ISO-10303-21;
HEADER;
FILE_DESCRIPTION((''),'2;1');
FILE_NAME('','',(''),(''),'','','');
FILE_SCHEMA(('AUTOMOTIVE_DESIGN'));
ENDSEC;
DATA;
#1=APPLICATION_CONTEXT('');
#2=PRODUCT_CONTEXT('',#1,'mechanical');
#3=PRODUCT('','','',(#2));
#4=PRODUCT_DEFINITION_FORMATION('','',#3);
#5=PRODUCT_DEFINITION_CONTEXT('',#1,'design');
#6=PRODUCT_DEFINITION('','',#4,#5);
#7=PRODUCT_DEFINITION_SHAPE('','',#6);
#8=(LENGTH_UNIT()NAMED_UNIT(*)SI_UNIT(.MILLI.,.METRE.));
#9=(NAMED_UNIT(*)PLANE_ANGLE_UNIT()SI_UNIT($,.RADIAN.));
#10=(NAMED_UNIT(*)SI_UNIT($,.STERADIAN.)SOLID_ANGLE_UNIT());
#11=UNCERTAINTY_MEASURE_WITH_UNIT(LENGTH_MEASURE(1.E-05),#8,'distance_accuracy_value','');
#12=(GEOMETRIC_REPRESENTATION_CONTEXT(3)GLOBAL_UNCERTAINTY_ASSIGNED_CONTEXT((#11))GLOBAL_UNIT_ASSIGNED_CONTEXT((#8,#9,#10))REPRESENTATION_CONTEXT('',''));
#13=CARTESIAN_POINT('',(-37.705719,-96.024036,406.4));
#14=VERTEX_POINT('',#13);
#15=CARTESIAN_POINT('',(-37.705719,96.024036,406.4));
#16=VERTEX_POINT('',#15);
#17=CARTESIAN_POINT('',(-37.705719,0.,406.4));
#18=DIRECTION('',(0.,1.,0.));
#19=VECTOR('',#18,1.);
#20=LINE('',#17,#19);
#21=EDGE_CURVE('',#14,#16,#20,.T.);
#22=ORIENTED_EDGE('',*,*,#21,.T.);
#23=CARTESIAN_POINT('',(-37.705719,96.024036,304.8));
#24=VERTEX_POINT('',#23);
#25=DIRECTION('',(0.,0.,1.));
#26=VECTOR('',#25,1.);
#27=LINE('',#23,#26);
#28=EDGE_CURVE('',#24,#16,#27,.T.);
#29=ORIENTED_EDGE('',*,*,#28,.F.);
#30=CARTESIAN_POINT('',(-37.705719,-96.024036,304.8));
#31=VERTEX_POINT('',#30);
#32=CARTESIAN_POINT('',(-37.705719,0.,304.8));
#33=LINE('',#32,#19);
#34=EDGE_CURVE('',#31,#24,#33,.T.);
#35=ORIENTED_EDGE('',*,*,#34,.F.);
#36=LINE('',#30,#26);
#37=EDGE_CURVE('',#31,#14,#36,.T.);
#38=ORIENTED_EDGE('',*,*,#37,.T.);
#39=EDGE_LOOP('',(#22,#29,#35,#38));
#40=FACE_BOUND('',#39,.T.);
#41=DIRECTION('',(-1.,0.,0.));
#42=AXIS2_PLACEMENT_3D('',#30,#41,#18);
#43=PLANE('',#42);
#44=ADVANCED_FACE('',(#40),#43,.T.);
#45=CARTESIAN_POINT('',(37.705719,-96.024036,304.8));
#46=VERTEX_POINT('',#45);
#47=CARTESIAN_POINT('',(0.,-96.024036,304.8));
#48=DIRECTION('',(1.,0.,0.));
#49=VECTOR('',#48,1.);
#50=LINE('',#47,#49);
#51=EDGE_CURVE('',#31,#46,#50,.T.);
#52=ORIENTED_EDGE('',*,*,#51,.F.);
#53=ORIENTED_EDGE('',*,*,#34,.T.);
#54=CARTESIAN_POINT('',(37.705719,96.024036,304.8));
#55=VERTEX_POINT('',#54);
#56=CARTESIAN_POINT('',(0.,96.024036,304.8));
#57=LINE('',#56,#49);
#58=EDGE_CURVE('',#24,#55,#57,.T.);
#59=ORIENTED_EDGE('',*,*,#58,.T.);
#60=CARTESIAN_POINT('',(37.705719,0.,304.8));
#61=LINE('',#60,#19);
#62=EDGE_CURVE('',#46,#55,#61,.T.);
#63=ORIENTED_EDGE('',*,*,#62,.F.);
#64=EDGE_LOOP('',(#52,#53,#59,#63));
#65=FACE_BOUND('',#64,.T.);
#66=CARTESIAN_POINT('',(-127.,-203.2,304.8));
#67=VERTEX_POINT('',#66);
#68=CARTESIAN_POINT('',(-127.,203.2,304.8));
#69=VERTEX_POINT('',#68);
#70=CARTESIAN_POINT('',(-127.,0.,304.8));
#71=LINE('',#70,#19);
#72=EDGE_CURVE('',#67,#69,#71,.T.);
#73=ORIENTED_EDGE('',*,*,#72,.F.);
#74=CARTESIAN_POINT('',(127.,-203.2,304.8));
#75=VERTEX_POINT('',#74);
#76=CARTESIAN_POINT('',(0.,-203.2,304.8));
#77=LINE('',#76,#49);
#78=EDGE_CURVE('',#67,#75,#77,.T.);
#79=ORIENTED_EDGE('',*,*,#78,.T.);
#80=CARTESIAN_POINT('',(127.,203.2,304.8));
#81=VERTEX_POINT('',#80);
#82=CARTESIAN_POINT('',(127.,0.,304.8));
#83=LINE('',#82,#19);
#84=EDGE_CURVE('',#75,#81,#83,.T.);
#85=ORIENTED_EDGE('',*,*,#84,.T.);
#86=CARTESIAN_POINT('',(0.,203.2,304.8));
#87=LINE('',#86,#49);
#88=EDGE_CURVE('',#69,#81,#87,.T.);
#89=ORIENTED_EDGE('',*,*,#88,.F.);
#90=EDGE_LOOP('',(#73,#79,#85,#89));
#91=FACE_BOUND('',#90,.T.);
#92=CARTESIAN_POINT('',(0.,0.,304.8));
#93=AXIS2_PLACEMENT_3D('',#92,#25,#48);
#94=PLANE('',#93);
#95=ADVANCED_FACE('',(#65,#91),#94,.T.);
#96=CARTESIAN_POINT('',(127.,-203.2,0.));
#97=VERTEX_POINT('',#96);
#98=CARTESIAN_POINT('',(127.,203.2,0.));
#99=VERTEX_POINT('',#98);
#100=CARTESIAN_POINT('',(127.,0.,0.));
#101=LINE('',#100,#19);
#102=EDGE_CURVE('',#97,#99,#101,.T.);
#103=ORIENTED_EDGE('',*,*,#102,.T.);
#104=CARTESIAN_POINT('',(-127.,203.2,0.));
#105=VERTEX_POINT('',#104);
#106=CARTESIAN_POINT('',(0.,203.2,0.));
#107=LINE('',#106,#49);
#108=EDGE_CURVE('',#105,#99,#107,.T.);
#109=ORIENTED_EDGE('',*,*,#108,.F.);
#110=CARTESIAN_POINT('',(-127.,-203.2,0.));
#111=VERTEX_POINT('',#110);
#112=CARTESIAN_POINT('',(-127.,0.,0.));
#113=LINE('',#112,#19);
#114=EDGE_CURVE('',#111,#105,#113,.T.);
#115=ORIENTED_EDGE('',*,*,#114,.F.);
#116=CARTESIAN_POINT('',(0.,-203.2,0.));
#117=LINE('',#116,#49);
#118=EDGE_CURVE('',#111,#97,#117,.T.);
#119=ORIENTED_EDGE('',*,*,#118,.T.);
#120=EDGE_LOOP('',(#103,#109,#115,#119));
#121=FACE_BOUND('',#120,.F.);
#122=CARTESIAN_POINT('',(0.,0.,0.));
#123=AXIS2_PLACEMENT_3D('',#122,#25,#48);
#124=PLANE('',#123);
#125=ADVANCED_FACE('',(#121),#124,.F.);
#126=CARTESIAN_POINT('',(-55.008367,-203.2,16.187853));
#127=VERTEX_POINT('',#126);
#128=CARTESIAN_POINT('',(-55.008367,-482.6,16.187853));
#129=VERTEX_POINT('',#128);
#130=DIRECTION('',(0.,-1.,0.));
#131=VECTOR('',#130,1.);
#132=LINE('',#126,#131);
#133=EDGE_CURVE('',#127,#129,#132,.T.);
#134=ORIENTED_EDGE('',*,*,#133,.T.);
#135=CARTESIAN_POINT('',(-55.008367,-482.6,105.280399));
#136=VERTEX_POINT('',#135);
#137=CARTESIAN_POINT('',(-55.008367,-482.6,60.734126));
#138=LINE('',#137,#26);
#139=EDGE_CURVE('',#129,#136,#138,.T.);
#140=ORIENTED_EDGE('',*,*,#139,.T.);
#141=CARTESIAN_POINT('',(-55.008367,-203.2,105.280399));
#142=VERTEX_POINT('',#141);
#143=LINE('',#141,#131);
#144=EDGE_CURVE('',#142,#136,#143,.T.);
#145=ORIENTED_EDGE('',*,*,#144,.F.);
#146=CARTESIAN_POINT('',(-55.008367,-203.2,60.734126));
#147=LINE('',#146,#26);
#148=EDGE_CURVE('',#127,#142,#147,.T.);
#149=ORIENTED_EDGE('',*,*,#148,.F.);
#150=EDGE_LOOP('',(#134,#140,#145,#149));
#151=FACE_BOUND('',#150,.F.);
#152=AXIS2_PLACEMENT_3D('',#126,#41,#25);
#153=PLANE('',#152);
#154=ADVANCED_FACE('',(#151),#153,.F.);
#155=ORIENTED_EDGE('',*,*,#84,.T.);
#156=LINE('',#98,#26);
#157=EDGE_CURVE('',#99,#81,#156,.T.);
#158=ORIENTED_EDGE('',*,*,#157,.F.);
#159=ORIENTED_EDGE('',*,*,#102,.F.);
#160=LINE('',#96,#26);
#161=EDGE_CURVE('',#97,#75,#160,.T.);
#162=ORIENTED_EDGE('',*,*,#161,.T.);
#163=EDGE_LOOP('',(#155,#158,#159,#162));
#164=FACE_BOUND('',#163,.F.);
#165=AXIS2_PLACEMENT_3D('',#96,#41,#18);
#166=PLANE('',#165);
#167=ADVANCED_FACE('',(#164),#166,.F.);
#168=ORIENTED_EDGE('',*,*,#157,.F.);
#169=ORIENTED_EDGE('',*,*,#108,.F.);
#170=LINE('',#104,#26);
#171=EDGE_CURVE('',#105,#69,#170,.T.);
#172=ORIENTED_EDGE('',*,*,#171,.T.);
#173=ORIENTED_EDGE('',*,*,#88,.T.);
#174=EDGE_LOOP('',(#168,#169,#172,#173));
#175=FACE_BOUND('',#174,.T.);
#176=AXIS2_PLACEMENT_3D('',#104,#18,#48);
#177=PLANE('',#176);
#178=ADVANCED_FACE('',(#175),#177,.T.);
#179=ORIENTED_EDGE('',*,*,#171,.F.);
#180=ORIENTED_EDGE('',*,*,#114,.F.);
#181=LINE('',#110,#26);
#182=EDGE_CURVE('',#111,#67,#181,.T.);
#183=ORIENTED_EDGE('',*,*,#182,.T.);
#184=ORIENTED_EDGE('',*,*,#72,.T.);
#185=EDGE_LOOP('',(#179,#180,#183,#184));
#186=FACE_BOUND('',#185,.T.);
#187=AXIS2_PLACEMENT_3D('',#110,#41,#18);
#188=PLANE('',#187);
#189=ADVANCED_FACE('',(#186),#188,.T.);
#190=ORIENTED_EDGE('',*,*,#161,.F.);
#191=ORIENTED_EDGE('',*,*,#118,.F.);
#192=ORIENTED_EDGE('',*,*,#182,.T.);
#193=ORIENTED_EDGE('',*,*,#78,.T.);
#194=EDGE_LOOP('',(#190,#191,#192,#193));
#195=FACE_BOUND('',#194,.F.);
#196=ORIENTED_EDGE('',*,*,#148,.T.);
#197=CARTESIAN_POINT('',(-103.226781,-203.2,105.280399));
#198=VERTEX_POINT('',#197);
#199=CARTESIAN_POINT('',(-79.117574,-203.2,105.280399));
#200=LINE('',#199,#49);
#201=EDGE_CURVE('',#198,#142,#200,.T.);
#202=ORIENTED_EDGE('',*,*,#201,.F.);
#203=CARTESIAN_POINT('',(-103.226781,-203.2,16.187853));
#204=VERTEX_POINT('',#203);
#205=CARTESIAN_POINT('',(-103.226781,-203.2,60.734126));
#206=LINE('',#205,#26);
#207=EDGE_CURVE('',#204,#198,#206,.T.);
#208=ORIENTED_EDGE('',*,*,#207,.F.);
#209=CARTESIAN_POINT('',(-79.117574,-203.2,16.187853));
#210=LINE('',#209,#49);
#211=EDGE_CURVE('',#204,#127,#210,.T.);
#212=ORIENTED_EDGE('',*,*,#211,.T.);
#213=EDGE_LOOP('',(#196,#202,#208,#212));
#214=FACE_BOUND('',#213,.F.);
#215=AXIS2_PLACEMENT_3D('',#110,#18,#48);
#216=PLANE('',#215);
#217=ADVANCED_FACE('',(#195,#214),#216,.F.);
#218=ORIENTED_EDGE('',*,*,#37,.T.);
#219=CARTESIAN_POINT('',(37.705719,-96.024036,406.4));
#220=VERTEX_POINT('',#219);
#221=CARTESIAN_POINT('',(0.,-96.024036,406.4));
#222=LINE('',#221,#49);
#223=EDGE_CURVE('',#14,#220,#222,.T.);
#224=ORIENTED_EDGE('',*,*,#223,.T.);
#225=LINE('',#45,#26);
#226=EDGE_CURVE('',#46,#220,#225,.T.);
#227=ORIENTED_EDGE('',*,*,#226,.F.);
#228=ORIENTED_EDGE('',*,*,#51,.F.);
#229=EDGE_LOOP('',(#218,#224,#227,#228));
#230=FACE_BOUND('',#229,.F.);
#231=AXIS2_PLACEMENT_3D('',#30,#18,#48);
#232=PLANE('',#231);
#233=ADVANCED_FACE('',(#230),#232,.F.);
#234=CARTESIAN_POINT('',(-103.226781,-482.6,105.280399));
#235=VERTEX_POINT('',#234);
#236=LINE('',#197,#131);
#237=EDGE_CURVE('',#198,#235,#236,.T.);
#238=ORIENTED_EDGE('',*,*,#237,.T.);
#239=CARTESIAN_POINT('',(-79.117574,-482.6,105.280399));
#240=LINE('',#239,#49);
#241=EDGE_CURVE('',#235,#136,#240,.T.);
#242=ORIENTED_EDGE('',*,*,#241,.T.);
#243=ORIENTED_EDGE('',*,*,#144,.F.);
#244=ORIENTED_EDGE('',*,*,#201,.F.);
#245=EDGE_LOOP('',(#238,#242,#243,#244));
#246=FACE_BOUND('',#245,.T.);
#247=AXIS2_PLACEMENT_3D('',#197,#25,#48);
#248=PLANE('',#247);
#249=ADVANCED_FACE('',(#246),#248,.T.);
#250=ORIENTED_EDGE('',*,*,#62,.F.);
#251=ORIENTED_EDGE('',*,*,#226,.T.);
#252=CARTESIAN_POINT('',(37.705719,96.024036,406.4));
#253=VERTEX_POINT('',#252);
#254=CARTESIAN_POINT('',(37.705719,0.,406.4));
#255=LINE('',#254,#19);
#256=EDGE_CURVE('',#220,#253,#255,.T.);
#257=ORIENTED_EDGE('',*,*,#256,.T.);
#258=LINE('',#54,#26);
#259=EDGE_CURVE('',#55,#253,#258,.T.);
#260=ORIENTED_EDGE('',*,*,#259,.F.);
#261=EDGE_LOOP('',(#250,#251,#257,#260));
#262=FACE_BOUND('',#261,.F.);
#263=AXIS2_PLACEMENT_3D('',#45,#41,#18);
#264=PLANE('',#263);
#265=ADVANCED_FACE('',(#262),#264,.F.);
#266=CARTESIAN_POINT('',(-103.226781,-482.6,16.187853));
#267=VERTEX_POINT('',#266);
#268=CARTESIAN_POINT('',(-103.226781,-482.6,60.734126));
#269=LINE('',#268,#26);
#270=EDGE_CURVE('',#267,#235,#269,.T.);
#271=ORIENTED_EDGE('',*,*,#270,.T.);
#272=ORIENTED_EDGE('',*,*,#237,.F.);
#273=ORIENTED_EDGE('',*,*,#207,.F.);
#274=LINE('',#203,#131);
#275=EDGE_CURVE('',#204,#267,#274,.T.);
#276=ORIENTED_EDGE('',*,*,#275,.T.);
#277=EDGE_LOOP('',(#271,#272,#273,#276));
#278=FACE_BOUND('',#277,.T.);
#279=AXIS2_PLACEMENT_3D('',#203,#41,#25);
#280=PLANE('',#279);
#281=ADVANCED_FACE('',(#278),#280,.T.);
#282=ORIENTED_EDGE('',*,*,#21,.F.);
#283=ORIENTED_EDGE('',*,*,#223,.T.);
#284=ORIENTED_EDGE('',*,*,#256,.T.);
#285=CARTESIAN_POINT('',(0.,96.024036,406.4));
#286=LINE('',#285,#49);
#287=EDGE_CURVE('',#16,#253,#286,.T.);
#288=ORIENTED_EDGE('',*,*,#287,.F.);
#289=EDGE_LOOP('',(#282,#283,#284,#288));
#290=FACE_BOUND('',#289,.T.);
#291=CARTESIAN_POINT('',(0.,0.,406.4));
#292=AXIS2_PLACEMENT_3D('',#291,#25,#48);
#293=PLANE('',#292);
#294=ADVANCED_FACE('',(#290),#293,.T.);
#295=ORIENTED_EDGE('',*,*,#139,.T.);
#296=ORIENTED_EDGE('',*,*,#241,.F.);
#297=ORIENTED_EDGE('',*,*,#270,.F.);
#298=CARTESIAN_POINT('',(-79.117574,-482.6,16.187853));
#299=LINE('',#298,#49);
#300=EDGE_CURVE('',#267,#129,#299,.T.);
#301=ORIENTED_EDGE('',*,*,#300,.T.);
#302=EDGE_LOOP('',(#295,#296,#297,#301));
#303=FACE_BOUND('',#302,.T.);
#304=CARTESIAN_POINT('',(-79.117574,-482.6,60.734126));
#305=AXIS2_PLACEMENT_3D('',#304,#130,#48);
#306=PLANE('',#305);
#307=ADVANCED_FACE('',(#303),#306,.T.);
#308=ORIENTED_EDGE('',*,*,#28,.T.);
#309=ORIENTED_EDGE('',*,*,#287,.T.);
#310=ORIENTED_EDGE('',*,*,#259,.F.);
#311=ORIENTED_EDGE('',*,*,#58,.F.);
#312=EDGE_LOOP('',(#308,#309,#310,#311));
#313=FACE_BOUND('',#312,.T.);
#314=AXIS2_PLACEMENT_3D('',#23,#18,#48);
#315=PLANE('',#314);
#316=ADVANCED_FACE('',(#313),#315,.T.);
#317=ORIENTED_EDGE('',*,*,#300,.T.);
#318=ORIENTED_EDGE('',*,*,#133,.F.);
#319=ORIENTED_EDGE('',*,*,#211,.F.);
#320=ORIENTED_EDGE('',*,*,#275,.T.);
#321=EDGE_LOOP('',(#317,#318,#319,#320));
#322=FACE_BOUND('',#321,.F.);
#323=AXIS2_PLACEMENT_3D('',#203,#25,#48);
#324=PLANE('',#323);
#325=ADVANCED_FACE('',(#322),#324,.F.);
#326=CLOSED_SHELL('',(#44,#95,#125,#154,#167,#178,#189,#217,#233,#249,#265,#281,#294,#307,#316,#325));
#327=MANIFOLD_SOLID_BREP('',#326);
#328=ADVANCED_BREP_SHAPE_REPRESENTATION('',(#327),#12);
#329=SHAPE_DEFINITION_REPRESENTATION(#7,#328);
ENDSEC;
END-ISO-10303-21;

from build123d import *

# Parameters (mm, degrees)
F0_W     = 254
F0_H     = 406.4
F1_DEPTH = 304.8
F2_W     = 48.218414
F2_H     = 89.092545
F3_DEPTH = 279.4
F4_W     = 75.411438
F4_H     = 192.048072
F5_DEPTH = 101.6


with BuildPart() as f1:
    # F0 (on Top) → F1 (new body)
    with BuildSketch(Plane.XY):
        Rectangle(F0_W, F0_H)
    extrude(amount=F1_DEPTH)

    # F2 (on face) → F3 (join)
    with BuildSketch(Plane.XZ.offset(203.2)):
        with Locations((-79.117574, 60.734126)):
            Rectangle(F2_W, F2_H)
    extrude(amount=F3_DEPTH)

    # F4 (on face) → F5 (join)
    with BuildSketch(Plane.XY.offset(304.8)):
        Rectangle(F4_W, F4_H)
    extrude(amount=F5_DEPTH)


solid = f1.part
